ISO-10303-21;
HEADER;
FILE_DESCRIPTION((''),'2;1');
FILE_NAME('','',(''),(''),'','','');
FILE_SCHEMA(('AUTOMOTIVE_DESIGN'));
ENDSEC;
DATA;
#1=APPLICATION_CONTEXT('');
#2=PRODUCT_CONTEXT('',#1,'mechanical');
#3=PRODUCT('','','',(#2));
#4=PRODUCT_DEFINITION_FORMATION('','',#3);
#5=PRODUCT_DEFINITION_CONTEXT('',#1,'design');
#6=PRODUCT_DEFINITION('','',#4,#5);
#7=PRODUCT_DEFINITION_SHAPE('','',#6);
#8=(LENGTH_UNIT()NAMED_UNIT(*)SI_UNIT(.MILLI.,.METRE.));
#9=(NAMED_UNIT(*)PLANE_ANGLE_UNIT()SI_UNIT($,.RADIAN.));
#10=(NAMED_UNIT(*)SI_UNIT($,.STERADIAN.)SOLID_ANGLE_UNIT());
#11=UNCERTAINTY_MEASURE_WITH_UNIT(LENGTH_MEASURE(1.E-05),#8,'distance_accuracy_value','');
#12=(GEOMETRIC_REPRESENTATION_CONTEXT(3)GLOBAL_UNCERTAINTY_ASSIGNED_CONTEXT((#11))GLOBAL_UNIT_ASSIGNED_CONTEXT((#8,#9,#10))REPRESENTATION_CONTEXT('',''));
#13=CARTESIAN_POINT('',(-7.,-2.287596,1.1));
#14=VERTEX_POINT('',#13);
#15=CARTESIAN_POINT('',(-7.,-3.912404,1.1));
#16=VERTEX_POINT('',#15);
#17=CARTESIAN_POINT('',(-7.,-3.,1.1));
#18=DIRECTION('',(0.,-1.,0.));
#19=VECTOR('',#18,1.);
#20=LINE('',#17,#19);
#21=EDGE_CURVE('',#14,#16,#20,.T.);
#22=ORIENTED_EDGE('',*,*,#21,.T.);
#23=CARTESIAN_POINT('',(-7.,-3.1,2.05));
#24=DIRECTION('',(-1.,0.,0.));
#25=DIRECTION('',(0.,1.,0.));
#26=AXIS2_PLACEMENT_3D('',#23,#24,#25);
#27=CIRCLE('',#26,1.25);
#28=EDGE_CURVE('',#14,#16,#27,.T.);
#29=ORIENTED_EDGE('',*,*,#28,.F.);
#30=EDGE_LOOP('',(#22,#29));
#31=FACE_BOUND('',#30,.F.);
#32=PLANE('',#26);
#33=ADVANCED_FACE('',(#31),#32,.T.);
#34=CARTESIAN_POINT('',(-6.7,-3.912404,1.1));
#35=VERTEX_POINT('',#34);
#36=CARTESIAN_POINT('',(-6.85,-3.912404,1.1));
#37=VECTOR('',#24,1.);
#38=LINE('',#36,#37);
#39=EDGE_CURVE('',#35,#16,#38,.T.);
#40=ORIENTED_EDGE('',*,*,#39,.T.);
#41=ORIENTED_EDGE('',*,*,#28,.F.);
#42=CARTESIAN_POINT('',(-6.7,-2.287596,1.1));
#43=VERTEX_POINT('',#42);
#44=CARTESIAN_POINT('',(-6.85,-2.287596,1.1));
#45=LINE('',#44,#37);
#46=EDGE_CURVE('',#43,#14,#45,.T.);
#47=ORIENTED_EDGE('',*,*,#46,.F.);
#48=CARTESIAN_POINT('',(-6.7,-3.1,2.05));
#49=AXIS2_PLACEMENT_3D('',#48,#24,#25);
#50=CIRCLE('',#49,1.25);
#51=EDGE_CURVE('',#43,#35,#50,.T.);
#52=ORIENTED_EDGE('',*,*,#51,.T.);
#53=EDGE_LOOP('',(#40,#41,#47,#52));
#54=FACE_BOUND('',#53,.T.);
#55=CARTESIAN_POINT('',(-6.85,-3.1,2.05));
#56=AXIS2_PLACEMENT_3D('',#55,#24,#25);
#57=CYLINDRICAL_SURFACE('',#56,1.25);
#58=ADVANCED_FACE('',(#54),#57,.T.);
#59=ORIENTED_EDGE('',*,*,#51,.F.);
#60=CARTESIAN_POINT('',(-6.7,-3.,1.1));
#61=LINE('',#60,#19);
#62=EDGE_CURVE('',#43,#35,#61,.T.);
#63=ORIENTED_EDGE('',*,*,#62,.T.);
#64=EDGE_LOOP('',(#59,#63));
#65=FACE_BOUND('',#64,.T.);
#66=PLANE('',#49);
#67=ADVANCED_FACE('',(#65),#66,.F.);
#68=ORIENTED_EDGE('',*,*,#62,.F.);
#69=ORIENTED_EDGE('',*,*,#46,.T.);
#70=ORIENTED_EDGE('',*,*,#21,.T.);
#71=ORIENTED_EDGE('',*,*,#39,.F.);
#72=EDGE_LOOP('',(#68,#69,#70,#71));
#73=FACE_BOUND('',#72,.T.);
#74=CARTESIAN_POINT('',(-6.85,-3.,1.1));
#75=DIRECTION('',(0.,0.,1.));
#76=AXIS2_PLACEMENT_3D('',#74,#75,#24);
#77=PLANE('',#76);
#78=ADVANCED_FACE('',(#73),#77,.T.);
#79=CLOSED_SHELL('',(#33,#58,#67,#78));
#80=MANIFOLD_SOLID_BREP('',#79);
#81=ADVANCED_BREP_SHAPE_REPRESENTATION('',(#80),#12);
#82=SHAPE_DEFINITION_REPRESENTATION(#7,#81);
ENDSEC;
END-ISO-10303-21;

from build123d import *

# Parameters (mm, degrees)
BOX004_W          = 0.3
BOX004_H          = 3
BOX004_DEPTH      = 2
CYLINDER001_W     = 1.25
CYLINDER001_H     = 0.3
CYLINDER001_ANGLE = 180


with BuildPart() as cube001:
    # Box004 → Box004 (new body)
    with BuildSketch(Plane(origin=(6.7, 1.5, 1.1), x_dir=(1, 0, 0), z_dir=(0, 0, 1))):
        with Locations((0.15, 1.5)):
            Rectangle(BOX004_W, BOX004_H)
    extrude(amount=BOX004_DEPTH)


with BuildPart() as cut002:
    # Cylinder001 → Cylinder001 (revolve)
    with BuildSketch(Plane(origin=(6.7, 3.1, 2.05), x_dir=(0, -1, 0), z_dir=(0, 0, 1))):
        with Locations((0.625, 0.15)):
            Rectangle(CYLINDER001_W, CYLINDER001_H)
    revolve(axis=Axis((6.7, 3.1, 2.05), (1, 0, 0)), revolution_arc=CYLINDER001_ANGLE)

    # Cut002: cut Cube001
    add(cube001.part, mode=Mode.SUBTRACT)


with BuildPart() as part_mirroring:
    # Part__Mirroring: instance of Cut002
    add(cut002.part.mirror(Plane(origin=(0, 0, 0), x_dir=(1, 0, 0), z_dir=(0, 1, 0))))


with BuildPart() as part_mirroring002:
    # Part__Mirroring002: instance of Part__Mirroring
    add(part_mirroring.part.mirror(Plane(origin=(0, 0, 0), x_dir=(0, -1, 0), z_dir=(1, 0, 0))))


solid = part_mirroring002.part
